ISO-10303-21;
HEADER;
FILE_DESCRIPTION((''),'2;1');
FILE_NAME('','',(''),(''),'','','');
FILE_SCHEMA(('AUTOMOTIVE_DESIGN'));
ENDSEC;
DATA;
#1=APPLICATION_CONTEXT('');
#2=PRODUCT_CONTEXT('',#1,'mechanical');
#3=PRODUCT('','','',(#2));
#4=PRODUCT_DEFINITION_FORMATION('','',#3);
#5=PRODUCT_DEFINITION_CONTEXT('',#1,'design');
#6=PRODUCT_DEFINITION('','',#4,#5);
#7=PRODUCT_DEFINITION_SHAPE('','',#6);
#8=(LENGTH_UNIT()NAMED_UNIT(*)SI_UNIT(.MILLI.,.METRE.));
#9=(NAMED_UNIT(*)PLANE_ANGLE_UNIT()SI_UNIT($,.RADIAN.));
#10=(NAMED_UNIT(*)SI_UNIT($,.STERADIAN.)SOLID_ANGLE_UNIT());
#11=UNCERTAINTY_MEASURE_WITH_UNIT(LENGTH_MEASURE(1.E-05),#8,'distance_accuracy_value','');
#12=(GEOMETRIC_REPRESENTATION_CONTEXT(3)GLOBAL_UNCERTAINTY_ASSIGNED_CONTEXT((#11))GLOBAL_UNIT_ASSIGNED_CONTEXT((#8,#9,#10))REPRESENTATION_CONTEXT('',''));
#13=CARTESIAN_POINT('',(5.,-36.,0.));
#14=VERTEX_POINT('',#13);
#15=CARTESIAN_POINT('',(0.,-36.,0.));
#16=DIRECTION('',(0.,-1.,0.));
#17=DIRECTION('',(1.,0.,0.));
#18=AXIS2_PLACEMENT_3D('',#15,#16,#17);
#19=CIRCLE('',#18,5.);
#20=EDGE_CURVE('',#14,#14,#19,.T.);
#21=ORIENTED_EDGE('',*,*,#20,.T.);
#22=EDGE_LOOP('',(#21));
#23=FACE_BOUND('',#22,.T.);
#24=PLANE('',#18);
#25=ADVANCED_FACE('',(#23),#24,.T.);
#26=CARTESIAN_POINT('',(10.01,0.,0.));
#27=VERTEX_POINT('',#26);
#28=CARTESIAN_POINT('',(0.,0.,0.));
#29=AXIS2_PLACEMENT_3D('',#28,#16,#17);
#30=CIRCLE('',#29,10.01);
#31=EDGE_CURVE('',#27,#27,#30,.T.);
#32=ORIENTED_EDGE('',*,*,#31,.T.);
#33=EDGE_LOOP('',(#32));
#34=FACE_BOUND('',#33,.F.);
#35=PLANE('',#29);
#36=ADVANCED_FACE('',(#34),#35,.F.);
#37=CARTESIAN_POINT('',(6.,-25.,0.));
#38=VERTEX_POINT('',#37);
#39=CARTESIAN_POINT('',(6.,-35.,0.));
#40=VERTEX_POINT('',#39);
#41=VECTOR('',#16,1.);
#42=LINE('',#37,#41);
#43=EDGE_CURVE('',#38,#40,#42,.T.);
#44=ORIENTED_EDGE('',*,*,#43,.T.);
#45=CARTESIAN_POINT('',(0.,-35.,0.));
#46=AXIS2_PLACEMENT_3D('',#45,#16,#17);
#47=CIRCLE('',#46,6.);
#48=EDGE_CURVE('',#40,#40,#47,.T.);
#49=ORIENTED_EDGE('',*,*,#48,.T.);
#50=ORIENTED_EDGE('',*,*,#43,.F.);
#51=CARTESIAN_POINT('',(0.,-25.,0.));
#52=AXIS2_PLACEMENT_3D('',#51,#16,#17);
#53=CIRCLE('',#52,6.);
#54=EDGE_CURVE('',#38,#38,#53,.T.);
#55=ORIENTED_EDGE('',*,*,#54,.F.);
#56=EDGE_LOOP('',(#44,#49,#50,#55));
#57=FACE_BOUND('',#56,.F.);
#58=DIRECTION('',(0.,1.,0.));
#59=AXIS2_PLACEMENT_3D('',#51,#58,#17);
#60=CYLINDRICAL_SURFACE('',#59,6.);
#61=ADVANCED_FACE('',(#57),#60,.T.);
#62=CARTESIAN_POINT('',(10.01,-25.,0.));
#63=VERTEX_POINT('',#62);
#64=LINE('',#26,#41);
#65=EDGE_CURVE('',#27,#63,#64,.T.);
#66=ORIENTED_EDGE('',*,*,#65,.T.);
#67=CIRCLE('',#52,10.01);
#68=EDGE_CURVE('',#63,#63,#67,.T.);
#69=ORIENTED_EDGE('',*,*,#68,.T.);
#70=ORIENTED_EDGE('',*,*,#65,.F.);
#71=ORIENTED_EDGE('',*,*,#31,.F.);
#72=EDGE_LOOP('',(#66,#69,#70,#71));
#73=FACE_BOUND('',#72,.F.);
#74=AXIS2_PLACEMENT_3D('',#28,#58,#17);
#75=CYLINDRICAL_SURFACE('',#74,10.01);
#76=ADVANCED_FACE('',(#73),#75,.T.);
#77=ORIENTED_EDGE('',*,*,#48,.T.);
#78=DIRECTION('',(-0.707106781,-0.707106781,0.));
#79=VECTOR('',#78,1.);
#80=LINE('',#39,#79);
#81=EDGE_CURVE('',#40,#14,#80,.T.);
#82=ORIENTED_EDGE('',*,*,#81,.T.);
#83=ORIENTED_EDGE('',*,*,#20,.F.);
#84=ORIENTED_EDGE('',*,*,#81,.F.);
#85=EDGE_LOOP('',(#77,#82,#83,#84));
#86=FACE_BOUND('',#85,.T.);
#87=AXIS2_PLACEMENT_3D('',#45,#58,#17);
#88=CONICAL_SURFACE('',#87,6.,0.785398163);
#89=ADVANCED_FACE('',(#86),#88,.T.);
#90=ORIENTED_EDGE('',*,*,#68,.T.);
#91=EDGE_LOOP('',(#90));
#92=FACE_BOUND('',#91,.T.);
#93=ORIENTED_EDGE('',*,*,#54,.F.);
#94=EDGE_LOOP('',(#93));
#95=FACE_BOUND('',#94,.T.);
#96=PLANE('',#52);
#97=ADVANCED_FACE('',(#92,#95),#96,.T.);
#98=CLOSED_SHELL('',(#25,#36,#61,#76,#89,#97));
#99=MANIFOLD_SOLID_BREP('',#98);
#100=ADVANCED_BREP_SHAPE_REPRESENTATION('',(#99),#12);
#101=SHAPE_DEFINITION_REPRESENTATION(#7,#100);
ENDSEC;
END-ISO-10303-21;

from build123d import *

# Parameters (mm, degrees)
F0_R     = 10.01
F1_DEPTH = 25
F2_R     = 6
F3_DEPTH = 11
F4_SIZE2 = 1
F4_SIZE  = 1


with BuildPart() as f1:
    # F0 (on Front) → F1 (new body)
    with BuildSketch(Plane.XZ):
        Circle(F0_R)
    extrude(amount=F1_DEPTH)

    # F2 (on face) → F3 (join)
    with BuildSketch(Plane.XZ.offset(25)):
        Circle(F2_R)
    extrude(amount=F3_DEPTH)

    # F4
    f4_edges = [f1.edges().sort_by_distance(p)[0] for p in [
        (-6, -36, 0),
    ]]
    chamfer(f4_edges, length=F4_SIZE, length2=F4_SIZE2)


solid = f1.part
